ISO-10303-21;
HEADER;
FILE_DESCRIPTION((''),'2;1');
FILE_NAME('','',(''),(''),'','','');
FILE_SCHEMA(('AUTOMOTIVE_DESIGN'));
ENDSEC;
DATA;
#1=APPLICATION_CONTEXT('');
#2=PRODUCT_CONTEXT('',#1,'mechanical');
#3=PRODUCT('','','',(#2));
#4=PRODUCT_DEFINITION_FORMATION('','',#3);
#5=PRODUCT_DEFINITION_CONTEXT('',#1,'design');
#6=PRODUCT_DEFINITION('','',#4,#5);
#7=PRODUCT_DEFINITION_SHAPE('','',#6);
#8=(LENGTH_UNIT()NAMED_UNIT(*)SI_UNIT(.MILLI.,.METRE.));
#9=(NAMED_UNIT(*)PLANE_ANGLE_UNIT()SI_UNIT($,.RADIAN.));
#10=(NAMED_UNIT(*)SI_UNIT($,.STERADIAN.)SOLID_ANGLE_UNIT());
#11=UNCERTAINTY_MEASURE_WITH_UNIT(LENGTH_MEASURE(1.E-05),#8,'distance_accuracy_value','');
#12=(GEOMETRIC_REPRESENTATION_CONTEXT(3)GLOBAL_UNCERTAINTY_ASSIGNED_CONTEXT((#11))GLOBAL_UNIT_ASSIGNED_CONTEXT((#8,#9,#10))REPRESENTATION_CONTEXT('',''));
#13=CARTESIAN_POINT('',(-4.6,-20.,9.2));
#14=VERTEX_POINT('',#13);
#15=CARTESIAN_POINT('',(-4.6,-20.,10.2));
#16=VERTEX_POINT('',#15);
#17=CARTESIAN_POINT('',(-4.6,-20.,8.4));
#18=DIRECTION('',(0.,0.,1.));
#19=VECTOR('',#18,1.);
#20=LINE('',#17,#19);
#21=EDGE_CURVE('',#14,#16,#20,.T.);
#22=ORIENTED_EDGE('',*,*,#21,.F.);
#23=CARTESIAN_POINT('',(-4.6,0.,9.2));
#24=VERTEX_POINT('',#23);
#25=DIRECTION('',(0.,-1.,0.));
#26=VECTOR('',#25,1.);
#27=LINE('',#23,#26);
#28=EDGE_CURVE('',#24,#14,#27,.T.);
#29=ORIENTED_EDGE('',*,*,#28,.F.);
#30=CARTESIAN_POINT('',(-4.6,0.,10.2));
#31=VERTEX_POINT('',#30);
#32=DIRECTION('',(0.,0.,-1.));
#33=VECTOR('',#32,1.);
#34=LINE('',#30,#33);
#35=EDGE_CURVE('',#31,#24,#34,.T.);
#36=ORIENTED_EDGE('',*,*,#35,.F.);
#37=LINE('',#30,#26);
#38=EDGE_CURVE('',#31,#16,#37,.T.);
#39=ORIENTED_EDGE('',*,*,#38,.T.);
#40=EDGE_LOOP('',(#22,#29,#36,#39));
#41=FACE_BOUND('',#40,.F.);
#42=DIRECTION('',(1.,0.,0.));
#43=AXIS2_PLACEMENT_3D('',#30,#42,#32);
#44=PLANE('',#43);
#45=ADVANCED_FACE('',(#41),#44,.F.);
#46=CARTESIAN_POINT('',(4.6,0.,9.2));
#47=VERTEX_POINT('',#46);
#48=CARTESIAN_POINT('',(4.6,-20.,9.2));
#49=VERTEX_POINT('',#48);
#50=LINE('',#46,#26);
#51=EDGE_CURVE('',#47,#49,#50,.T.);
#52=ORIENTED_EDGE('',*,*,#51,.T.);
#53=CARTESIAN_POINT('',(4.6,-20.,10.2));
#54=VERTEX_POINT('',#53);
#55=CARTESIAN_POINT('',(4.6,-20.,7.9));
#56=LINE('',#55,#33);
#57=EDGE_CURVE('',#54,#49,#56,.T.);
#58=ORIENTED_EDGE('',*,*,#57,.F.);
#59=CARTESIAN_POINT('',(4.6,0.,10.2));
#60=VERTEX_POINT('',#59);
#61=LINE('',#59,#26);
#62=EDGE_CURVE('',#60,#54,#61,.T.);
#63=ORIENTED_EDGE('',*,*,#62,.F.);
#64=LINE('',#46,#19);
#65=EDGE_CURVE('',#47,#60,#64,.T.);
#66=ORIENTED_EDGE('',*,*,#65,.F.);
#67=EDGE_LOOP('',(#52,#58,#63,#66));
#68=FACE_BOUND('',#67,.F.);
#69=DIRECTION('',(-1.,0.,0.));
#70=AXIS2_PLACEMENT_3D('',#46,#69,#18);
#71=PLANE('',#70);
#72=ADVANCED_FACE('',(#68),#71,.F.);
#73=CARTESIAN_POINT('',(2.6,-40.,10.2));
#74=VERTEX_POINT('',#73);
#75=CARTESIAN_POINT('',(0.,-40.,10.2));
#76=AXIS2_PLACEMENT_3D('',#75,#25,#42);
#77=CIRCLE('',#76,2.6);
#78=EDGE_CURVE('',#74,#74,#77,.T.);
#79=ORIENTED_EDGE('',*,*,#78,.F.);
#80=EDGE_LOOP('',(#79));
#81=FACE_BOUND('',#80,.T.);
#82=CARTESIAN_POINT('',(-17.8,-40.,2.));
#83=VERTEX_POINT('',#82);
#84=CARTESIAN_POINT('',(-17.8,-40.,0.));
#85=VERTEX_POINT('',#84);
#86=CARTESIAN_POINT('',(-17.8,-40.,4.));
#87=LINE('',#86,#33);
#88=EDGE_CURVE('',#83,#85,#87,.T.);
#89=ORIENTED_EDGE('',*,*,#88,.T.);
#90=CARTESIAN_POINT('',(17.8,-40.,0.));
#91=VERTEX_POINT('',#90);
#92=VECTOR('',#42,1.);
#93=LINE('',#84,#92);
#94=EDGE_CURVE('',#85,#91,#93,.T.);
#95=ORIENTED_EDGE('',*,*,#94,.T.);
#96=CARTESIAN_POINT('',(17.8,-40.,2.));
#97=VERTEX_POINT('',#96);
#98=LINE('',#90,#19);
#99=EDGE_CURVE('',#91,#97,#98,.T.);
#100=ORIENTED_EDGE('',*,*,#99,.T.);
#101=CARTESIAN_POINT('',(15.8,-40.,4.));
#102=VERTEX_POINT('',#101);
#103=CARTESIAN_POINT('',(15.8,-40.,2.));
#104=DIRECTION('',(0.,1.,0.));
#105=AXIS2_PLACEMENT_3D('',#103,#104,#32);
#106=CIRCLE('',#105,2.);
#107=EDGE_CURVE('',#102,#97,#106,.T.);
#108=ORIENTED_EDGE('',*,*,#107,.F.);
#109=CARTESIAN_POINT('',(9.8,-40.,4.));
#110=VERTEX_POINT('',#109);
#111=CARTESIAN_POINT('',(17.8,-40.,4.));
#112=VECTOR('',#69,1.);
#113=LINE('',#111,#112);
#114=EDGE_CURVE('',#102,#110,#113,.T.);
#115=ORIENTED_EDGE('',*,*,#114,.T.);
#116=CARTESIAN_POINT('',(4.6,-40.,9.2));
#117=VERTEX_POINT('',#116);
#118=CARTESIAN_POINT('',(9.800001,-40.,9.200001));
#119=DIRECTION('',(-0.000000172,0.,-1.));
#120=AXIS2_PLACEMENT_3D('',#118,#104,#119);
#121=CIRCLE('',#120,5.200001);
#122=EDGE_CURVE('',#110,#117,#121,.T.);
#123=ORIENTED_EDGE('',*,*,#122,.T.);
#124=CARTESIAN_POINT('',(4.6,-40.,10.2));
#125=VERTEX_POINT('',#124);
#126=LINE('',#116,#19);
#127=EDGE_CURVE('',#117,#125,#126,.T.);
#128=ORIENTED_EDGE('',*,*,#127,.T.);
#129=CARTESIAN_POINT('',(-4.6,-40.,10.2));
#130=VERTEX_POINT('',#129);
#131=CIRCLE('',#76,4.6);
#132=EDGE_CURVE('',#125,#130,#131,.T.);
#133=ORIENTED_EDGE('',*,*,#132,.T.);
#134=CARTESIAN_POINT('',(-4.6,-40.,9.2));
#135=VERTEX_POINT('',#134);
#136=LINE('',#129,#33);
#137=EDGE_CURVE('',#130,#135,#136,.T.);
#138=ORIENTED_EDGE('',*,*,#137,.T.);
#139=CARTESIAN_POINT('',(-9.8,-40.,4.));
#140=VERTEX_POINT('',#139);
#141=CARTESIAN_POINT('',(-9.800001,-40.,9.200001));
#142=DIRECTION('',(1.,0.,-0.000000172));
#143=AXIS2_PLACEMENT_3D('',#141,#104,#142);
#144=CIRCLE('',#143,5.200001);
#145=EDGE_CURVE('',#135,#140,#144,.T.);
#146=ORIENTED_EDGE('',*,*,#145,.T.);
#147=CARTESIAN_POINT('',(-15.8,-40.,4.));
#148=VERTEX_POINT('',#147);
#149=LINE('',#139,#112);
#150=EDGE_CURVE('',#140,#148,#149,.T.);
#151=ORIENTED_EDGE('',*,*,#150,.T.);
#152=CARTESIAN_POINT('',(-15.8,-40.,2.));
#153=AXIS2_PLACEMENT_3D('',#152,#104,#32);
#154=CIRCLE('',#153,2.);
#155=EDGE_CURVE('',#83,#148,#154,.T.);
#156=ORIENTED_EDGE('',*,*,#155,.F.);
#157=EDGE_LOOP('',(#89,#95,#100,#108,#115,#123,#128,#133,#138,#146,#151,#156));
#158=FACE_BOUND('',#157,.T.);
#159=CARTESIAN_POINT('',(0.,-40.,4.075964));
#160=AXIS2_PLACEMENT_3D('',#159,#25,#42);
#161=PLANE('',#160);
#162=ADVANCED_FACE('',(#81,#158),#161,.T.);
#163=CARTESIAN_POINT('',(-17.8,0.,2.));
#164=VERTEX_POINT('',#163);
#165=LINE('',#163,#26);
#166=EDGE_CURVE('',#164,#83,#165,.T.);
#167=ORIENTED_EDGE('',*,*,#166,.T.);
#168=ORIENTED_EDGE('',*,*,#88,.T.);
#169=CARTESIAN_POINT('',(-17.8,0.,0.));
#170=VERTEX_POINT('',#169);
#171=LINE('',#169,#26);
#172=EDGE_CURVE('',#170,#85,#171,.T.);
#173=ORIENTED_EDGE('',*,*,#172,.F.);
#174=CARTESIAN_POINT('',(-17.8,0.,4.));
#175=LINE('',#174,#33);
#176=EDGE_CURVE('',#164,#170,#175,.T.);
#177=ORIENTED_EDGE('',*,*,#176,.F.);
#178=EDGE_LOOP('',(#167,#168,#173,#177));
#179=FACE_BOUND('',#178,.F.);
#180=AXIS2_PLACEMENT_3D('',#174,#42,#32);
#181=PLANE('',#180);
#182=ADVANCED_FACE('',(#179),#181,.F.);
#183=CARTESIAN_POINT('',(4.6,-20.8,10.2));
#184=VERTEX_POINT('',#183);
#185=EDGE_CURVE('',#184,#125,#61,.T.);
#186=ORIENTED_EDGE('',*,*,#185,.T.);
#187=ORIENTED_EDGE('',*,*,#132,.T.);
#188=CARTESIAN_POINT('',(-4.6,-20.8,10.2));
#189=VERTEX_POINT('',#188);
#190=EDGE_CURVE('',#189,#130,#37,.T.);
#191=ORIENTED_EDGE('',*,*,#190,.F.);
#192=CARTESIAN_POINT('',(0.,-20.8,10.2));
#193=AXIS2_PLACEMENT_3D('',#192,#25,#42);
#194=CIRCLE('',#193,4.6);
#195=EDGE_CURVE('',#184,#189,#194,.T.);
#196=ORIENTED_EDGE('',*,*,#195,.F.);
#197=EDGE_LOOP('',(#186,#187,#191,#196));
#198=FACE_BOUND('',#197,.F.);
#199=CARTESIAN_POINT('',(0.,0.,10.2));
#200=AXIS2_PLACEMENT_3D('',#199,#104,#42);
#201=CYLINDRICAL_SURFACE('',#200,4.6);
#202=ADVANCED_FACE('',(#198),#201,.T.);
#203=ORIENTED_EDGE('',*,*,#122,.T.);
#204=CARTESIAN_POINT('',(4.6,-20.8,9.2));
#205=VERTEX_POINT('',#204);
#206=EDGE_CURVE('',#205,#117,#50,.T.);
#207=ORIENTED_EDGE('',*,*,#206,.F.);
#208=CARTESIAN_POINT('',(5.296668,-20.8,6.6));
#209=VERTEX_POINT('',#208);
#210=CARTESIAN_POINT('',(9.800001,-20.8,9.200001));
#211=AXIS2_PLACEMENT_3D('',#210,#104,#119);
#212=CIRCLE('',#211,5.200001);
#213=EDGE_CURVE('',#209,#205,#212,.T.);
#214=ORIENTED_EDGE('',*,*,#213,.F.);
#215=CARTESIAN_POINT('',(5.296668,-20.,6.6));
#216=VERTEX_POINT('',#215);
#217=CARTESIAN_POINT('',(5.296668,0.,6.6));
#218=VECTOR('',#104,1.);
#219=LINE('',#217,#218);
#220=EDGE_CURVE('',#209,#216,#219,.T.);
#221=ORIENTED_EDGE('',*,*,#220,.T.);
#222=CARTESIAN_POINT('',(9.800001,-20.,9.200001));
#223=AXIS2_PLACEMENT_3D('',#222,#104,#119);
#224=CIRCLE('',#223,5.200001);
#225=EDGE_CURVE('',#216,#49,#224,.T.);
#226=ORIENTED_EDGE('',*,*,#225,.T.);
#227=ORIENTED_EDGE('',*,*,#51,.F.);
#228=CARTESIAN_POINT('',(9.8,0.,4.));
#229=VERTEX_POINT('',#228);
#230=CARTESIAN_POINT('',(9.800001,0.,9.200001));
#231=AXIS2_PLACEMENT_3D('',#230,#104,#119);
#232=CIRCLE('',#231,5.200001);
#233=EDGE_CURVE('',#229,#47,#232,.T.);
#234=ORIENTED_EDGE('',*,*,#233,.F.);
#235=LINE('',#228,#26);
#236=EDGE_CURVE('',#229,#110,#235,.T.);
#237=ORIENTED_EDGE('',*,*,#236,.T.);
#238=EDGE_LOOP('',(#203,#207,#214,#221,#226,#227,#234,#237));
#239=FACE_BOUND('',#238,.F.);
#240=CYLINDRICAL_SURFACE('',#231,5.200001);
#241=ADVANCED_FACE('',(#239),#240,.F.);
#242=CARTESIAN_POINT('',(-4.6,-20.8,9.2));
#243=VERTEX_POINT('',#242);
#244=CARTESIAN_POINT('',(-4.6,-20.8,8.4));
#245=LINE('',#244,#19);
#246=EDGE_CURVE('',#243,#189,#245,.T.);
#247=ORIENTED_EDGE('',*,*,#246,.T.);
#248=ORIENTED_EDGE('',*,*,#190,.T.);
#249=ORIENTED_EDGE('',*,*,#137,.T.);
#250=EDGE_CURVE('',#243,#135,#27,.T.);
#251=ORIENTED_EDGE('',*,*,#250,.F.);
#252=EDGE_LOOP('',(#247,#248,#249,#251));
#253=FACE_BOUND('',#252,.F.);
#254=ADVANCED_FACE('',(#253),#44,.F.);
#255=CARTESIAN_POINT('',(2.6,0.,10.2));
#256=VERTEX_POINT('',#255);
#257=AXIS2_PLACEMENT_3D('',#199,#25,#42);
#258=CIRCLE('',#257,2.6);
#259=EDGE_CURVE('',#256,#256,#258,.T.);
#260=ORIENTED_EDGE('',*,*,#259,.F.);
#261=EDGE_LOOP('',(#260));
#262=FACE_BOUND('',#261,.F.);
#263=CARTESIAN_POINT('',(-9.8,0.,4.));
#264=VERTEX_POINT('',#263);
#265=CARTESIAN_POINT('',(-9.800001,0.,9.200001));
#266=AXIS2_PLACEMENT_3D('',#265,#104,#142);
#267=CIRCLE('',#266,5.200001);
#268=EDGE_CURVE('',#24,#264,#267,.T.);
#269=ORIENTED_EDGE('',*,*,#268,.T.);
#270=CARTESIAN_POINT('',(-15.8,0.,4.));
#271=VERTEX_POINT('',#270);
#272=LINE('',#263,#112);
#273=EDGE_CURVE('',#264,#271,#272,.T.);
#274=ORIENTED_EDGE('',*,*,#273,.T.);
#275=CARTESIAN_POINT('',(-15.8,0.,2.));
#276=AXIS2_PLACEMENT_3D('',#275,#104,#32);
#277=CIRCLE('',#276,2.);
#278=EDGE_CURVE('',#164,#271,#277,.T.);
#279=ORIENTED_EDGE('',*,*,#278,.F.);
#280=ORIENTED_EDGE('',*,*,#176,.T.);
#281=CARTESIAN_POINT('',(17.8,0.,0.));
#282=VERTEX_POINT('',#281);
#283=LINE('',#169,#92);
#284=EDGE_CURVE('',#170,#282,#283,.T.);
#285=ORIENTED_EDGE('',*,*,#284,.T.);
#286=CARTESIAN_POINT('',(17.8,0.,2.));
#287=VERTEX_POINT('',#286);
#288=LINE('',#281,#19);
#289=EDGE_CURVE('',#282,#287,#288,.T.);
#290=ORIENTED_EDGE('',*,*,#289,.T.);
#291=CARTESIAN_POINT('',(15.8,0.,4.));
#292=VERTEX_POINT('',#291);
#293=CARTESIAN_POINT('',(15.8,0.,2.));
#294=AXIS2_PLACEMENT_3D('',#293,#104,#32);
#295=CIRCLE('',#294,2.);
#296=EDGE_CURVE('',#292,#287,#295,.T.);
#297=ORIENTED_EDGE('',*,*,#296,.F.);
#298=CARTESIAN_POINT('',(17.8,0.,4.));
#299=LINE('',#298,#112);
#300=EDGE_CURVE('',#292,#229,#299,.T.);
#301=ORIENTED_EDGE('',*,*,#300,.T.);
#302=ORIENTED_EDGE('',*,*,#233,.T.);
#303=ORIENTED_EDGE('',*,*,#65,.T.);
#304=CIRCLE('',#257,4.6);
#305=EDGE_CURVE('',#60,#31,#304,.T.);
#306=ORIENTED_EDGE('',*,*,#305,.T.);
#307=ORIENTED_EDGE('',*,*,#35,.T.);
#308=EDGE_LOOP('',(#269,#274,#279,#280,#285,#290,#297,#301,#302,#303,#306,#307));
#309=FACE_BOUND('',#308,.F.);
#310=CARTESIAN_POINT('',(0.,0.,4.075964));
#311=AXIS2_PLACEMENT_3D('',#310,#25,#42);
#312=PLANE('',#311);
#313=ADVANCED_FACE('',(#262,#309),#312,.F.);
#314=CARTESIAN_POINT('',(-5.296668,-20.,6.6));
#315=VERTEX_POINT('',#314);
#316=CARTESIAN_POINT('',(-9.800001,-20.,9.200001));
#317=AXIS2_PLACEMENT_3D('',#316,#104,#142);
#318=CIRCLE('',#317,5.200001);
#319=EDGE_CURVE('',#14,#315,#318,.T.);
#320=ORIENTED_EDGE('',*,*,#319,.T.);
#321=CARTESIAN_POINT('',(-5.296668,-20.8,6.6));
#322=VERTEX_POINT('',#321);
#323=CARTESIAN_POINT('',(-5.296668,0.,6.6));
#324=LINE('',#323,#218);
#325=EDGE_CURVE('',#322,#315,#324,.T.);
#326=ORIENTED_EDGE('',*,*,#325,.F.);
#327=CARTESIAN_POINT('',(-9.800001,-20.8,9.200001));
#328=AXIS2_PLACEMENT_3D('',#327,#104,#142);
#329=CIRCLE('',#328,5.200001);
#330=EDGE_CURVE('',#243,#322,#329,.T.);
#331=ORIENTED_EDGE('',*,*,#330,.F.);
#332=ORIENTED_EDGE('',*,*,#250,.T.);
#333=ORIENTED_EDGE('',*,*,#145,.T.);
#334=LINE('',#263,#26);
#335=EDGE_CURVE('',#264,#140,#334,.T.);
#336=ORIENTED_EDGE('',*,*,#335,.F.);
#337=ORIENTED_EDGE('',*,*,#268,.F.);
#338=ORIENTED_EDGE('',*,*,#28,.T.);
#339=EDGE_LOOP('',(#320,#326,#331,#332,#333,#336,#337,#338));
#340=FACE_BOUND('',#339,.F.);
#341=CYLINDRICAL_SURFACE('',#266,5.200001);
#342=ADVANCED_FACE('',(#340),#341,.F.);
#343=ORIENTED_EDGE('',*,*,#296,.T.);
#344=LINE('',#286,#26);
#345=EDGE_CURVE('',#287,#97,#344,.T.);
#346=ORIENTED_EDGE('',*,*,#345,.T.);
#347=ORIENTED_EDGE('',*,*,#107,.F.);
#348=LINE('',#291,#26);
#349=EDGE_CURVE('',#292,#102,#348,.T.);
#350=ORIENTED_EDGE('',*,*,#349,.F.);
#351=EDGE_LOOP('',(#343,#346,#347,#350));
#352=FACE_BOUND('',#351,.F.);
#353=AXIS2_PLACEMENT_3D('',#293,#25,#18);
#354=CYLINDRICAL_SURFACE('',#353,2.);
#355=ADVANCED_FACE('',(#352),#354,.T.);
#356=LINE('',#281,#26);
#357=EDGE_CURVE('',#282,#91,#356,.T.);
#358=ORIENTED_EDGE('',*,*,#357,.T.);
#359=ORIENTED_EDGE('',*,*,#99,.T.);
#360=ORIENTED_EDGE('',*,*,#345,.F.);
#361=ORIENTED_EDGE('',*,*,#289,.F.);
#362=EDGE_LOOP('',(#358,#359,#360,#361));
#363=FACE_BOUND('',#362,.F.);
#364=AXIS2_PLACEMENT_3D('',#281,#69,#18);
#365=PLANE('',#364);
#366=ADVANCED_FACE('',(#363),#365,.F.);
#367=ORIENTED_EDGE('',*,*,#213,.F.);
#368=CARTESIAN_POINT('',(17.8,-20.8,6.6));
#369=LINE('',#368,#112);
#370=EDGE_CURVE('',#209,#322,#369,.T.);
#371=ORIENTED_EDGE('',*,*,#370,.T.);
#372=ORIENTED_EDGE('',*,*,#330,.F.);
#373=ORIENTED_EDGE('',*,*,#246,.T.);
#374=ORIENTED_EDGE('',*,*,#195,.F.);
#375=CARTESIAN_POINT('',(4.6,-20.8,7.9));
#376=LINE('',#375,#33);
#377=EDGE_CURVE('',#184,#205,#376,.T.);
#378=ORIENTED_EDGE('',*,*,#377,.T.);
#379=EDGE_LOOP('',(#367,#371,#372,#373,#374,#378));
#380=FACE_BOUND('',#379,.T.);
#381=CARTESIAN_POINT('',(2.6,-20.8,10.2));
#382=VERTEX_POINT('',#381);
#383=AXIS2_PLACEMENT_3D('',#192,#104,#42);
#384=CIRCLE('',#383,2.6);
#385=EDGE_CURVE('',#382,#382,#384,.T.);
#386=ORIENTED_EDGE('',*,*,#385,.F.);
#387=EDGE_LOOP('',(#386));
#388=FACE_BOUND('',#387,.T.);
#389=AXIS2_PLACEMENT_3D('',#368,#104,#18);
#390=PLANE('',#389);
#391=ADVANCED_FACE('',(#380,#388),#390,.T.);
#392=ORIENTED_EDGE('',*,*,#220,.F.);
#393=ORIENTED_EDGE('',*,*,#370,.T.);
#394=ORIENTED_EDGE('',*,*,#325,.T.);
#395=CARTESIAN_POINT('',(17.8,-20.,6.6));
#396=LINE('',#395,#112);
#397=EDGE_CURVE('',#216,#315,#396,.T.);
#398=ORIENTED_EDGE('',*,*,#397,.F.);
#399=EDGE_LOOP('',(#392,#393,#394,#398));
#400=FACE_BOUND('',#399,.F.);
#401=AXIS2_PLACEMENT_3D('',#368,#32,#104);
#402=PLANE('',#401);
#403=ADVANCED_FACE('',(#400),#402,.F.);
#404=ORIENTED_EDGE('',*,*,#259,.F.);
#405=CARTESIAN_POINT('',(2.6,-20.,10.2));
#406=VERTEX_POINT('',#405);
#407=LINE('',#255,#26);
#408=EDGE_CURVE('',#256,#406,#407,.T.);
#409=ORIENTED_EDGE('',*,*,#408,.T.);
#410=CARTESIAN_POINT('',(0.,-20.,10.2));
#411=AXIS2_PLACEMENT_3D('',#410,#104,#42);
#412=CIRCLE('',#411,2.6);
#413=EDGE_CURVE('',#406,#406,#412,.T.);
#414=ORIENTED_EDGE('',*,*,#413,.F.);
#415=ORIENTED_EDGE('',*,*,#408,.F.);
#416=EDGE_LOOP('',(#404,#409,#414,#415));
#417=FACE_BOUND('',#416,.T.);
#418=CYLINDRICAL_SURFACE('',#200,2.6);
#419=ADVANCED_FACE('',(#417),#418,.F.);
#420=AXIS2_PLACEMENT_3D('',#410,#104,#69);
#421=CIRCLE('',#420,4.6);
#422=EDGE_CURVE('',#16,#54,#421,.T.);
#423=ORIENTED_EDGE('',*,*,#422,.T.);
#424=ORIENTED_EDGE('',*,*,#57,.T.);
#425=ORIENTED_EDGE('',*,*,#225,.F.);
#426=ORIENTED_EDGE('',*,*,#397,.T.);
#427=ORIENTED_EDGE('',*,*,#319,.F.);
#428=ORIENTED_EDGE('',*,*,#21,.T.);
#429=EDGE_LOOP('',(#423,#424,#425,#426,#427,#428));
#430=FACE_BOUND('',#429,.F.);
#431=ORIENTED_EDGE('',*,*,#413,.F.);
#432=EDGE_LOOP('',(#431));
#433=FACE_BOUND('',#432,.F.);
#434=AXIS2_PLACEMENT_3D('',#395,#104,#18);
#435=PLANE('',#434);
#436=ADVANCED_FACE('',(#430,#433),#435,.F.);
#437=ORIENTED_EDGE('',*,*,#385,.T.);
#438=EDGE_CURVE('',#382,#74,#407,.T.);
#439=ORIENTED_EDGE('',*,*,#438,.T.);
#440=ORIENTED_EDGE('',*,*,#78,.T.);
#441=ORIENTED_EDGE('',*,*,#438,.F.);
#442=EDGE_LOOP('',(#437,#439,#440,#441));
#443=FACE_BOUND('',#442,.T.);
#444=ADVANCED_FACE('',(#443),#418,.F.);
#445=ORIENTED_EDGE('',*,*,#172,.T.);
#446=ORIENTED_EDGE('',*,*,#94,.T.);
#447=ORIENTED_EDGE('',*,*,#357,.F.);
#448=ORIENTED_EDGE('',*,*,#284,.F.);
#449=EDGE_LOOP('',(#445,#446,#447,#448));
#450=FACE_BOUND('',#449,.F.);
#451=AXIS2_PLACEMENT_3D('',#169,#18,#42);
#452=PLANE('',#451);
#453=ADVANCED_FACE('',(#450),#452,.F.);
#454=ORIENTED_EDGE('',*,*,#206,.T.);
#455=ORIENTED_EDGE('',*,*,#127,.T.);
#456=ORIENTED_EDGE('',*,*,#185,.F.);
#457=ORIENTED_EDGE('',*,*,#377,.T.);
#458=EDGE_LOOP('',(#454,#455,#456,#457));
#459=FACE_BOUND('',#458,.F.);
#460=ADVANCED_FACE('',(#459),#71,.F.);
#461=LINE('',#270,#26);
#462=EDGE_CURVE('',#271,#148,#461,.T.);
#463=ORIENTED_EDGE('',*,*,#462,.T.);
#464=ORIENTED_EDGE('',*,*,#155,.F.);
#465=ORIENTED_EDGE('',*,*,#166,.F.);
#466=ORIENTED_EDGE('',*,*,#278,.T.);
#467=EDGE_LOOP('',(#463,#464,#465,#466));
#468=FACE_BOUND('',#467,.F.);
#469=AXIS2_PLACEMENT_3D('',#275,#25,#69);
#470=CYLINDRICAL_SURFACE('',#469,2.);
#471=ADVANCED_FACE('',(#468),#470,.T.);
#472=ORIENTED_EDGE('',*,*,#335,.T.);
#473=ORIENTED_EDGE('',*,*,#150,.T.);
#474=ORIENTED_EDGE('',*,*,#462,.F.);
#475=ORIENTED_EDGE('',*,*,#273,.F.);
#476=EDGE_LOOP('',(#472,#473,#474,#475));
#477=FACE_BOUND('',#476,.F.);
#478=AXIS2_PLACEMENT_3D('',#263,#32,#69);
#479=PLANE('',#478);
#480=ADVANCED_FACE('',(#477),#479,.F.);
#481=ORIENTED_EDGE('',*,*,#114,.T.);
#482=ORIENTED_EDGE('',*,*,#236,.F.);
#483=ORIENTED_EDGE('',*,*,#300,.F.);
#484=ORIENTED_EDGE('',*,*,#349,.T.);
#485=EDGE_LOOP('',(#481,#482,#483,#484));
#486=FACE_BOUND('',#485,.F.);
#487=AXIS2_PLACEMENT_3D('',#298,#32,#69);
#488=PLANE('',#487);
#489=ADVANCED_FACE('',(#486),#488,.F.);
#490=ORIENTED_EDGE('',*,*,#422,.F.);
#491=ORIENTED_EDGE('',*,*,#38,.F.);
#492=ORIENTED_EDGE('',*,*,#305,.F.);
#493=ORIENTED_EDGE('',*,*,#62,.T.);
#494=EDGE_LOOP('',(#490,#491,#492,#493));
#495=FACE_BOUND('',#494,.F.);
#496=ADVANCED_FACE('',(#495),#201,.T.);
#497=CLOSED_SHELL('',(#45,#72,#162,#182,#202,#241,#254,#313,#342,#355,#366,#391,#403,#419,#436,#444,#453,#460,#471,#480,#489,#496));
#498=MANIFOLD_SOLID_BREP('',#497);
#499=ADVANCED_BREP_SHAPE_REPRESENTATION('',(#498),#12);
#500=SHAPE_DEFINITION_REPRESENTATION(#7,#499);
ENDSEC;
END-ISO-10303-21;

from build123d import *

# Parameters (mm, degrees)
F0_R     = 2.6
F1_DEPTH = 40
F2_W     = 0.8
F2_H     = 8.2
F3_DEPTH = 35.601
F4_R     = 2


with BuildPart() as f1:
    # F0 (on Front) → F1 (new body)
    with BuildSketch(Plane.XZ):
        with BuildLine():
            Line((-17.8, 4), (-17.8, 0))
            Line((-17.8, 0), (17.8, 0))
            Line((17.8, 0), (17.8, 4))
            Line((17.8, 4), (9.8, 4))
            ThreePointArc((9.8, 4), (6.123045, 5.523045), (4.6, 9.2))
            Line((4.6, 9.2), (4.6, 10.2))
            ThreePointArc((4.6, 10.2), (0, 14.8), (-4.6, 10.2))
            Line((-4.6, 10.2), (-4.6, 9.2))
            ThreePointArc((-4.6, 9.2), (-6.123045, 5.523045), (-9.8, 4))
            Line((-9.8, 4), (-17.8, 4))
        make_face()
        with Locations((0, 10.2)):
            Circle(F0_R, mode=Mode.SUBTRACT)
    extrude(amount=F1_DEPTH)

    # F2 (on face) → F3 (cut, through all)
    with BuildSketch(Plane.YZ.offset(17.8)):
        with Locations((-20.4, 10.7)):
            Rectangle(F2_W, F2_H)
    extrude(amount=-F3_DEPTH, mode=Mode.SUBTRACT)

    # F4
    f4_edges = [f1.edges().sort_by_distance(p)[0] for p in [
        (-17.8, -20, 4),
        (17.8, -20, 4),
    ]]
    fillet(f4_edges, radius=F4_R)


solid = f1.part
